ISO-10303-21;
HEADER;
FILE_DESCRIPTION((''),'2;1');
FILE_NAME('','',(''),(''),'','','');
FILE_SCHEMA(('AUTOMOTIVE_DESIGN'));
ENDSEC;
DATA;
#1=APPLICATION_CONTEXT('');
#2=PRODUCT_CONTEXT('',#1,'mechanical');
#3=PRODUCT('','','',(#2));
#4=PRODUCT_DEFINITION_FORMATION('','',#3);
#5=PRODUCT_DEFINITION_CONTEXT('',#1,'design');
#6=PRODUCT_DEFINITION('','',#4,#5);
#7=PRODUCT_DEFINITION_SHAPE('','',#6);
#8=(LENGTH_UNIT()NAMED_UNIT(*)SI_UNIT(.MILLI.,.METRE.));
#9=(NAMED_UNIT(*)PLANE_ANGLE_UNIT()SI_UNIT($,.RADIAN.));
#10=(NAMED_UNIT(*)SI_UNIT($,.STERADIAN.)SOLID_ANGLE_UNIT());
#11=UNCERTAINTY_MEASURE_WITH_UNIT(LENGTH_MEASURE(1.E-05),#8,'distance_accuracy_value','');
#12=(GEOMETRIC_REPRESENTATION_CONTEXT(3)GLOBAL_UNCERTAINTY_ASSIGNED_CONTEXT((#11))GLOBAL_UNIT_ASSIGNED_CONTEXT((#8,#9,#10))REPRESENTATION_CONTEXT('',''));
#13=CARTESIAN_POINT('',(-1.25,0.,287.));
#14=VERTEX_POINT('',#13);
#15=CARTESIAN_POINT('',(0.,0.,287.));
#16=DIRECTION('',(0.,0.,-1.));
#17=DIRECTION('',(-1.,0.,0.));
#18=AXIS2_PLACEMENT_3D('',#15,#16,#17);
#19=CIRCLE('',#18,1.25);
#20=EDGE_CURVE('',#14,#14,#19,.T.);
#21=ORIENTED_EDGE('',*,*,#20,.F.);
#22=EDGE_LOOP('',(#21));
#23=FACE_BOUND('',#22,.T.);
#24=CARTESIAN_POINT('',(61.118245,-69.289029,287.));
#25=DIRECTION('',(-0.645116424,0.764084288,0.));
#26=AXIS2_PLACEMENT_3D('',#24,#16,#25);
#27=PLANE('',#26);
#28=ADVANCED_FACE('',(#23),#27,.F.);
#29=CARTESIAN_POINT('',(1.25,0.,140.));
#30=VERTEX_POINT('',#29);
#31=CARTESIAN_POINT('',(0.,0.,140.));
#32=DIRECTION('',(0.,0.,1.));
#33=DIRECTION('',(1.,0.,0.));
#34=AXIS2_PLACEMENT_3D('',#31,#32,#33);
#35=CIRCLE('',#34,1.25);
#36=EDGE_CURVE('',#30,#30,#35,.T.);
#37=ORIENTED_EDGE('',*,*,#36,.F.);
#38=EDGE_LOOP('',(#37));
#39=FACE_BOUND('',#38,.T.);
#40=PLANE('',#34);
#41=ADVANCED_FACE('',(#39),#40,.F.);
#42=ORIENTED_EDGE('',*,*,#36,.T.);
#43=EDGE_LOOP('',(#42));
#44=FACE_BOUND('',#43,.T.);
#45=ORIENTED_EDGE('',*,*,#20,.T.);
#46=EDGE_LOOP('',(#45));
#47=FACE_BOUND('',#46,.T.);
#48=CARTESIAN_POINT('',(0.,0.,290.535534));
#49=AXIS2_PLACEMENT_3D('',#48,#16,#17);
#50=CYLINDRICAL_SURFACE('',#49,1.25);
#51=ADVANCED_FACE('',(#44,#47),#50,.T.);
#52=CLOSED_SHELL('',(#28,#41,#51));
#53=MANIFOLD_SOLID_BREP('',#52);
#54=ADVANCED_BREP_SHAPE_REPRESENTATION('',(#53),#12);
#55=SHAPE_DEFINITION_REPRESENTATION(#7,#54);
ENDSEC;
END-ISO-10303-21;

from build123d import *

# Parameters (mm, degrees)
EXTRUDE_START   = 140
SKETCH_1_R      = 1.25
EXTRUDE_1_DEPTH = 147


with BuildPart() as part:
    # 草图1 → 凸台-拉伸1 (new body)
    with BuildSketch(Plane.XY.offset(EXTRUDE_START)):
        with Locations(Location((0, 0, 0), (0, 0, 180))):
            Circle(SKETCH_1_R)
    extrude(amount=EXTRUDE_1_DEPTH)


solid = part.part
